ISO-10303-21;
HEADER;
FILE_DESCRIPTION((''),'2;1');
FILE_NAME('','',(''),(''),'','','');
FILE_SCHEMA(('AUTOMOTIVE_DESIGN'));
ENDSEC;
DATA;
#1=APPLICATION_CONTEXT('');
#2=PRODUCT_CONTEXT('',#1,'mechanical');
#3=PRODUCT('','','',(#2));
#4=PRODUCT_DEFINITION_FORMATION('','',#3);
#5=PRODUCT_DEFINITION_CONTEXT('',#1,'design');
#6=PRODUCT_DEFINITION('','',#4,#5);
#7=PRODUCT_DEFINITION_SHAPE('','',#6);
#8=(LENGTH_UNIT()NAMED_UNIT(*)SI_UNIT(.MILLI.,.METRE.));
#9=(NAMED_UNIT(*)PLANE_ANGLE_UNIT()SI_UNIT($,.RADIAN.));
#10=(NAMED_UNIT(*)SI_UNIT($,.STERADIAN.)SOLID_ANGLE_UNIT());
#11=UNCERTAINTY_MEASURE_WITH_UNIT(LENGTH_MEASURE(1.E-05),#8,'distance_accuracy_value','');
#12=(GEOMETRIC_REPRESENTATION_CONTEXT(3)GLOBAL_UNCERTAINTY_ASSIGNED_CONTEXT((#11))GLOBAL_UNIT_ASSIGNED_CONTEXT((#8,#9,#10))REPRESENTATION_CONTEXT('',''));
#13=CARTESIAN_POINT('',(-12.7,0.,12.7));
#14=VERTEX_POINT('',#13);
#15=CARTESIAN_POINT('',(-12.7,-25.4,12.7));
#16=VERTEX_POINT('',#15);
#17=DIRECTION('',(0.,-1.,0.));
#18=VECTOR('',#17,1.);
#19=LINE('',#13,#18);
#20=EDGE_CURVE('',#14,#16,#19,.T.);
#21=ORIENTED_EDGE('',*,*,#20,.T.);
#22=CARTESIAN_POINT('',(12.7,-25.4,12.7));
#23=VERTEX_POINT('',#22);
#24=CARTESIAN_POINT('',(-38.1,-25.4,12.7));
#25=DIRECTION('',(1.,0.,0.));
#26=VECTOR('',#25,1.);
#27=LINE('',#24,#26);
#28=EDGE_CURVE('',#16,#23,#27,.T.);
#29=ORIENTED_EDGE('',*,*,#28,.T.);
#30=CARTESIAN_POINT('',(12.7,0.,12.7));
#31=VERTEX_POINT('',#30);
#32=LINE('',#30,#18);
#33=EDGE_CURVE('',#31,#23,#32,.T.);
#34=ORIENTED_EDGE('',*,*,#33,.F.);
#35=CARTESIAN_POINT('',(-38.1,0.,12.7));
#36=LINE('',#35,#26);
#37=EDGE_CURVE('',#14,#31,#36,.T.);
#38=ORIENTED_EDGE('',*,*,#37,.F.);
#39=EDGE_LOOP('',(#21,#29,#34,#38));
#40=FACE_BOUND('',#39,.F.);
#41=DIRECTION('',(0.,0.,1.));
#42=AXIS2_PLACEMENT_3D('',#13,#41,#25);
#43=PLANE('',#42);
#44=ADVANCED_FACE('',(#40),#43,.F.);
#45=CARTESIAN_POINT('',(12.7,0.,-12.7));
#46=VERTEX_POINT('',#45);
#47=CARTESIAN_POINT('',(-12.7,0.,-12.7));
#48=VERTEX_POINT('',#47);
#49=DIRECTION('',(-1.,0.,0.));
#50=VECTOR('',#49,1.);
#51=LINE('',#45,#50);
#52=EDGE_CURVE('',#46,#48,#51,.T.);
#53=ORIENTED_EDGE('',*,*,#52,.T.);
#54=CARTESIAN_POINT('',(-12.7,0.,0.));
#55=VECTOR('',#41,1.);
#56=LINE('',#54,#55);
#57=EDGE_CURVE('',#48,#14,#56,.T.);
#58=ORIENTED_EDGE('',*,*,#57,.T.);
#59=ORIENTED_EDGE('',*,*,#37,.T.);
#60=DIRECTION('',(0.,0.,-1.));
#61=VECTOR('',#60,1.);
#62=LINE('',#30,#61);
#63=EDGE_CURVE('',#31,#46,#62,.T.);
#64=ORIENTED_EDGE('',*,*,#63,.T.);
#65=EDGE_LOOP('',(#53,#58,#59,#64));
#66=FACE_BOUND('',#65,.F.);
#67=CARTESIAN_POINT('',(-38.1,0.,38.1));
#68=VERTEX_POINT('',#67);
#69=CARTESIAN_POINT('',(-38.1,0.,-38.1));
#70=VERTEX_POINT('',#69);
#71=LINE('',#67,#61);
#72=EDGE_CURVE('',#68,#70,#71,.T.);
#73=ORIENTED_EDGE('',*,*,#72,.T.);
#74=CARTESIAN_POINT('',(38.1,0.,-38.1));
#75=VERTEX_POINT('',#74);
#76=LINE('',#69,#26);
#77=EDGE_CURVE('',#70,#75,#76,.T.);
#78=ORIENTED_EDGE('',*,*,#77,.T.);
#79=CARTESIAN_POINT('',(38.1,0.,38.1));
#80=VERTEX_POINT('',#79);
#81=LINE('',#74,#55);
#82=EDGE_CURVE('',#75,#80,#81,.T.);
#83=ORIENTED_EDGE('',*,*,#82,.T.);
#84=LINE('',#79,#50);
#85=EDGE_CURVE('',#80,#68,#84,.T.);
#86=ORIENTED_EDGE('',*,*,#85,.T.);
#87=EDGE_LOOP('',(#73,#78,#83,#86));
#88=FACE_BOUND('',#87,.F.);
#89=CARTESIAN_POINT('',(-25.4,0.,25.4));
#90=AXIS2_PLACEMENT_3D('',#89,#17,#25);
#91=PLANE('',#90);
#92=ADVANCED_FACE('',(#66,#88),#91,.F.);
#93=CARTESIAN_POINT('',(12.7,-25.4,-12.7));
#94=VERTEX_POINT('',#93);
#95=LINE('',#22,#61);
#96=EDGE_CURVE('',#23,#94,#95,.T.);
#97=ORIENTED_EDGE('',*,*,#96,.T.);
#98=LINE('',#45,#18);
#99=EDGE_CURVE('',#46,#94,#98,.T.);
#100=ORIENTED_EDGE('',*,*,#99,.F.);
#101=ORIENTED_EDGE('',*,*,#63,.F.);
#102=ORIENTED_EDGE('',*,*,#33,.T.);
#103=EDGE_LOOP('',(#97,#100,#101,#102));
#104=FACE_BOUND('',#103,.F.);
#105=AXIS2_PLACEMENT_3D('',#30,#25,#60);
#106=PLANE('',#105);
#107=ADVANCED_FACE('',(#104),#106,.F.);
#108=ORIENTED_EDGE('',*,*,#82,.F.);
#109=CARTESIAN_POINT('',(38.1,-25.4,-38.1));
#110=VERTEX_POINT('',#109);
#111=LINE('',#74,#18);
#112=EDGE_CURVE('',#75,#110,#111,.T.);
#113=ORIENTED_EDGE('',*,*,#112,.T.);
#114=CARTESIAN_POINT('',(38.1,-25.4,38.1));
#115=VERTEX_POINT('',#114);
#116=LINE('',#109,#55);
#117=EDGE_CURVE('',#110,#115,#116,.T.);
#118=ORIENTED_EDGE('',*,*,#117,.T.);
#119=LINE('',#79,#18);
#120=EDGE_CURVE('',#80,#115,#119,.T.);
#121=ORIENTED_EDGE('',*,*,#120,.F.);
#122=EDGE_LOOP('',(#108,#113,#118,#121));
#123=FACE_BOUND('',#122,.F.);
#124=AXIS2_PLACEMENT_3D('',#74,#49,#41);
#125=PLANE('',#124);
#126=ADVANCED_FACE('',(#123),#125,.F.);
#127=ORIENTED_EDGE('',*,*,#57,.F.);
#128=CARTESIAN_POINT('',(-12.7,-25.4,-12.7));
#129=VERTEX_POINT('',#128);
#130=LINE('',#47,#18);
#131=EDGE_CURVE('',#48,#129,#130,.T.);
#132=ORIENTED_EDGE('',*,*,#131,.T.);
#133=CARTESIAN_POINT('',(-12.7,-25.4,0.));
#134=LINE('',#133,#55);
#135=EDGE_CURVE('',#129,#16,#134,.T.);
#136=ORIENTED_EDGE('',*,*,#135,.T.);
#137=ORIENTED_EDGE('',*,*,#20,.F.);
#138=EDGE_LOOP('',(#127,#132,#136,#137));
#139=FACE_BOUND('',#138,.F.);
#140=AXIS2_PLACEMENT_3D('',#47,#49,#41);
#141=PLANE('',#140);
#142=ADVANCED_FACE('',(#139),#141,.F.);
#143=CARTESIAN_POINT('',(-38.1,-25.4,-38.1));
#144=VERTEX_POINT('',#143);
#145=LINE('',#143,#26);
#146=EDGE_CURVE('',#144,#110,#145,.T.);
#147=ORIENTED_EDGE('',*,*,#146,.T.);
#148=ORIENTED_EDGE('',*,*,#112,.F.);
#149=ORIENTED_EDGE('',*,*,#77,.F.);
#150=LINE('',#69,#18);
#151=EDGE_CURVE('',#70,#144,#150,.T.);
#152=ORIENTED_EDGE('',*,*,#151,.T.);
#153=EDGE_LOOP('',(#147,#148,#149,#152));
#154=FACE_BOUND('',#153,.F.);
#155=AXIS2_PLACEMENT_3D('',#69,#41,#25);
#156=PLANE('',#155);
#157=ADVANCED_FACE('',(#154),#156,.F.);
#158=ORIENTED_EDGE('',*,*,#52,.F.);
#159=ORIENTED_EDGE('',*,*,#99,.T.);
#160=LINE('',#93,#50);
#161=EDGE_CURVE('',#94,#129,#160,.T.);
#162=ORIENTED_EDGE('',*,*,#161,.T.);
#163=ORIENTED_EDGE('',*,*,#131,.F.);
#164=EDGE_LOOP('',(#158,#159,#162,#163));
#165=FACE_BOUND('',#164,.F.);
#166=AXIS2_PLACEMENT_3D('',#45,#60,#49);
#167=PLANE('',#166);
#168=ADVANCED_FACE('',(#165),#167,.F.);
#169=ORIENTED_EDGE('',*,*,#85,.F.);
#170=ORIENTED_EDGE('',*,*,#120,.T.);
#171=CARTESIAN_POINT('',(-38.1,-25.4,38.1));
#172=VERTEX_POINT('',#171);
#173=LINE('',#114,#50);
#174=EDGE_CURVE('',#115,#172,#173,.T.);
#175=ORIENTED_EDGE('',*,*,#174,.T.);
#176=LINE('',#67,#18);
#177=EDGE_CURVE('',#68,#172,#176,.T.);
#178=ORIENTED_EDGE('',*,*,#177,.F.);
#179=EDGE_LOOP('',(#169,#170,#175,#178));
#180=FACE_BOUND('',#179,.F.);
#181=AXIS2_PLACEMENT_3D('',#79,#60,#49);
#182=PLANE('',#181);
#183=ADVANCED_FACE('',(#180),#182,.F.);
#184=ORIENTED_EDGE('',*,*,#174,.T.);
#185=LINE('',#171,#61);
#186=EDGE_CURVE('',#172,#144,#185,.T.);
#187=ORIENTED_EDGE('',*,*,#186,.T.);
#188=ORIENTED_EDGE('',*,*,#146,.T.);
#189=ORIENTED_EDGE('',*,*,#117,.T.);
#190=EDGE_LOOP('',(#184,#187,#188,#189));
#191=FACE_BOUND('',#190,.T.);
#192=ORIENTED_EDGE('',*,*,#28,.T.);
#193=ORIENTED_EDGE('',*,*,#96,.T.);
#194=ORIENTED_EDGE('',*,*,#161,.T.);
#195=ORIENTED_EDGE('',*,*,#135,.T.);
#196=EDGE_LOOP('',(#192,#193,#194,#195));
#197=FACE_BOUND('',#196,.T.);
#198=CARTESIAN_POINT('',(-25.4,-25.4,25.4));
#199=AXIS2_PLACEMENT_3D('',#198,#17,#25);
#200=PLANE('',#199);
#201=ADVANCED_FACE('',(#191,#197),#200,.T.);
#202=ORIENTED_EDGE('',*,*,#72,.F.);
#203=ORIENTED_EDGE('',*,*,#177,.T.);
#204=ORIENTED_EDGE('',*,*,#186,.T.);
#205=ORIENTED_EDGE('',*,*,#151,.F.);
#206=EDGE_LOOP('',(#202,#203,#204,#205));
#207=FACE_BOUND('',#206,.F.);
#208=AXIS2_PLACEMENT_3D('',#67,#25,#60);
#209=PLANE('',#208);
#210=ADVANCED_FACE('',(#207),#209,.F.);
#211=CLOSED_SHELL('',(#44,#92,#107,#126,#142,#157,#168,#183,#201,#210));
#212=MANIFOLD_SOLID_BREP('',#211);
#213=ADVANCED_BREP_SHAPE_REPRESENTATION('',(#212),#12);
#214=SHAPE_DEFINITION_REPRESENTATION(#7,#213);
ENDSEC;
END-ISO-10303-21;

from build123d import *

# Parameters (mm, degrees)
F0_W     = 25.4
F0_H     = 25.4
F1_DEPTH = 25.4


with BuildPart() as f1:
    # F0 (on Front) → F1 (new body)
    with BuildSketch(Plane.XZ):
        with Locations((-25.4, 25.4)):
            Rectangle(F0_W, F0_H)
        with Locations((0, 25.4)):
            Rectangle(F0_W, F0_H)
        with Locations((25.4, 25.4)):
            Rectangle(F0_W, F0_H)
        with Locations((25.4, 0)):
            Rectangle(F0_W, F0_H)
        with Locations((25.4, -25.4)):
            Rectangle(F0_W, F0_H)
        with Locations((0, -25.4)):
            Rectangle(F0_W, F0_H)
        with Locations((-25.4, -25.4)):
            Rectangle(F0_W, F0_H)
        with Locations((-25.4, 0)):
            Rectangle(F0_W, F0_H)
    extrude(amount=F1_DEPTH)


solid = f1.part
